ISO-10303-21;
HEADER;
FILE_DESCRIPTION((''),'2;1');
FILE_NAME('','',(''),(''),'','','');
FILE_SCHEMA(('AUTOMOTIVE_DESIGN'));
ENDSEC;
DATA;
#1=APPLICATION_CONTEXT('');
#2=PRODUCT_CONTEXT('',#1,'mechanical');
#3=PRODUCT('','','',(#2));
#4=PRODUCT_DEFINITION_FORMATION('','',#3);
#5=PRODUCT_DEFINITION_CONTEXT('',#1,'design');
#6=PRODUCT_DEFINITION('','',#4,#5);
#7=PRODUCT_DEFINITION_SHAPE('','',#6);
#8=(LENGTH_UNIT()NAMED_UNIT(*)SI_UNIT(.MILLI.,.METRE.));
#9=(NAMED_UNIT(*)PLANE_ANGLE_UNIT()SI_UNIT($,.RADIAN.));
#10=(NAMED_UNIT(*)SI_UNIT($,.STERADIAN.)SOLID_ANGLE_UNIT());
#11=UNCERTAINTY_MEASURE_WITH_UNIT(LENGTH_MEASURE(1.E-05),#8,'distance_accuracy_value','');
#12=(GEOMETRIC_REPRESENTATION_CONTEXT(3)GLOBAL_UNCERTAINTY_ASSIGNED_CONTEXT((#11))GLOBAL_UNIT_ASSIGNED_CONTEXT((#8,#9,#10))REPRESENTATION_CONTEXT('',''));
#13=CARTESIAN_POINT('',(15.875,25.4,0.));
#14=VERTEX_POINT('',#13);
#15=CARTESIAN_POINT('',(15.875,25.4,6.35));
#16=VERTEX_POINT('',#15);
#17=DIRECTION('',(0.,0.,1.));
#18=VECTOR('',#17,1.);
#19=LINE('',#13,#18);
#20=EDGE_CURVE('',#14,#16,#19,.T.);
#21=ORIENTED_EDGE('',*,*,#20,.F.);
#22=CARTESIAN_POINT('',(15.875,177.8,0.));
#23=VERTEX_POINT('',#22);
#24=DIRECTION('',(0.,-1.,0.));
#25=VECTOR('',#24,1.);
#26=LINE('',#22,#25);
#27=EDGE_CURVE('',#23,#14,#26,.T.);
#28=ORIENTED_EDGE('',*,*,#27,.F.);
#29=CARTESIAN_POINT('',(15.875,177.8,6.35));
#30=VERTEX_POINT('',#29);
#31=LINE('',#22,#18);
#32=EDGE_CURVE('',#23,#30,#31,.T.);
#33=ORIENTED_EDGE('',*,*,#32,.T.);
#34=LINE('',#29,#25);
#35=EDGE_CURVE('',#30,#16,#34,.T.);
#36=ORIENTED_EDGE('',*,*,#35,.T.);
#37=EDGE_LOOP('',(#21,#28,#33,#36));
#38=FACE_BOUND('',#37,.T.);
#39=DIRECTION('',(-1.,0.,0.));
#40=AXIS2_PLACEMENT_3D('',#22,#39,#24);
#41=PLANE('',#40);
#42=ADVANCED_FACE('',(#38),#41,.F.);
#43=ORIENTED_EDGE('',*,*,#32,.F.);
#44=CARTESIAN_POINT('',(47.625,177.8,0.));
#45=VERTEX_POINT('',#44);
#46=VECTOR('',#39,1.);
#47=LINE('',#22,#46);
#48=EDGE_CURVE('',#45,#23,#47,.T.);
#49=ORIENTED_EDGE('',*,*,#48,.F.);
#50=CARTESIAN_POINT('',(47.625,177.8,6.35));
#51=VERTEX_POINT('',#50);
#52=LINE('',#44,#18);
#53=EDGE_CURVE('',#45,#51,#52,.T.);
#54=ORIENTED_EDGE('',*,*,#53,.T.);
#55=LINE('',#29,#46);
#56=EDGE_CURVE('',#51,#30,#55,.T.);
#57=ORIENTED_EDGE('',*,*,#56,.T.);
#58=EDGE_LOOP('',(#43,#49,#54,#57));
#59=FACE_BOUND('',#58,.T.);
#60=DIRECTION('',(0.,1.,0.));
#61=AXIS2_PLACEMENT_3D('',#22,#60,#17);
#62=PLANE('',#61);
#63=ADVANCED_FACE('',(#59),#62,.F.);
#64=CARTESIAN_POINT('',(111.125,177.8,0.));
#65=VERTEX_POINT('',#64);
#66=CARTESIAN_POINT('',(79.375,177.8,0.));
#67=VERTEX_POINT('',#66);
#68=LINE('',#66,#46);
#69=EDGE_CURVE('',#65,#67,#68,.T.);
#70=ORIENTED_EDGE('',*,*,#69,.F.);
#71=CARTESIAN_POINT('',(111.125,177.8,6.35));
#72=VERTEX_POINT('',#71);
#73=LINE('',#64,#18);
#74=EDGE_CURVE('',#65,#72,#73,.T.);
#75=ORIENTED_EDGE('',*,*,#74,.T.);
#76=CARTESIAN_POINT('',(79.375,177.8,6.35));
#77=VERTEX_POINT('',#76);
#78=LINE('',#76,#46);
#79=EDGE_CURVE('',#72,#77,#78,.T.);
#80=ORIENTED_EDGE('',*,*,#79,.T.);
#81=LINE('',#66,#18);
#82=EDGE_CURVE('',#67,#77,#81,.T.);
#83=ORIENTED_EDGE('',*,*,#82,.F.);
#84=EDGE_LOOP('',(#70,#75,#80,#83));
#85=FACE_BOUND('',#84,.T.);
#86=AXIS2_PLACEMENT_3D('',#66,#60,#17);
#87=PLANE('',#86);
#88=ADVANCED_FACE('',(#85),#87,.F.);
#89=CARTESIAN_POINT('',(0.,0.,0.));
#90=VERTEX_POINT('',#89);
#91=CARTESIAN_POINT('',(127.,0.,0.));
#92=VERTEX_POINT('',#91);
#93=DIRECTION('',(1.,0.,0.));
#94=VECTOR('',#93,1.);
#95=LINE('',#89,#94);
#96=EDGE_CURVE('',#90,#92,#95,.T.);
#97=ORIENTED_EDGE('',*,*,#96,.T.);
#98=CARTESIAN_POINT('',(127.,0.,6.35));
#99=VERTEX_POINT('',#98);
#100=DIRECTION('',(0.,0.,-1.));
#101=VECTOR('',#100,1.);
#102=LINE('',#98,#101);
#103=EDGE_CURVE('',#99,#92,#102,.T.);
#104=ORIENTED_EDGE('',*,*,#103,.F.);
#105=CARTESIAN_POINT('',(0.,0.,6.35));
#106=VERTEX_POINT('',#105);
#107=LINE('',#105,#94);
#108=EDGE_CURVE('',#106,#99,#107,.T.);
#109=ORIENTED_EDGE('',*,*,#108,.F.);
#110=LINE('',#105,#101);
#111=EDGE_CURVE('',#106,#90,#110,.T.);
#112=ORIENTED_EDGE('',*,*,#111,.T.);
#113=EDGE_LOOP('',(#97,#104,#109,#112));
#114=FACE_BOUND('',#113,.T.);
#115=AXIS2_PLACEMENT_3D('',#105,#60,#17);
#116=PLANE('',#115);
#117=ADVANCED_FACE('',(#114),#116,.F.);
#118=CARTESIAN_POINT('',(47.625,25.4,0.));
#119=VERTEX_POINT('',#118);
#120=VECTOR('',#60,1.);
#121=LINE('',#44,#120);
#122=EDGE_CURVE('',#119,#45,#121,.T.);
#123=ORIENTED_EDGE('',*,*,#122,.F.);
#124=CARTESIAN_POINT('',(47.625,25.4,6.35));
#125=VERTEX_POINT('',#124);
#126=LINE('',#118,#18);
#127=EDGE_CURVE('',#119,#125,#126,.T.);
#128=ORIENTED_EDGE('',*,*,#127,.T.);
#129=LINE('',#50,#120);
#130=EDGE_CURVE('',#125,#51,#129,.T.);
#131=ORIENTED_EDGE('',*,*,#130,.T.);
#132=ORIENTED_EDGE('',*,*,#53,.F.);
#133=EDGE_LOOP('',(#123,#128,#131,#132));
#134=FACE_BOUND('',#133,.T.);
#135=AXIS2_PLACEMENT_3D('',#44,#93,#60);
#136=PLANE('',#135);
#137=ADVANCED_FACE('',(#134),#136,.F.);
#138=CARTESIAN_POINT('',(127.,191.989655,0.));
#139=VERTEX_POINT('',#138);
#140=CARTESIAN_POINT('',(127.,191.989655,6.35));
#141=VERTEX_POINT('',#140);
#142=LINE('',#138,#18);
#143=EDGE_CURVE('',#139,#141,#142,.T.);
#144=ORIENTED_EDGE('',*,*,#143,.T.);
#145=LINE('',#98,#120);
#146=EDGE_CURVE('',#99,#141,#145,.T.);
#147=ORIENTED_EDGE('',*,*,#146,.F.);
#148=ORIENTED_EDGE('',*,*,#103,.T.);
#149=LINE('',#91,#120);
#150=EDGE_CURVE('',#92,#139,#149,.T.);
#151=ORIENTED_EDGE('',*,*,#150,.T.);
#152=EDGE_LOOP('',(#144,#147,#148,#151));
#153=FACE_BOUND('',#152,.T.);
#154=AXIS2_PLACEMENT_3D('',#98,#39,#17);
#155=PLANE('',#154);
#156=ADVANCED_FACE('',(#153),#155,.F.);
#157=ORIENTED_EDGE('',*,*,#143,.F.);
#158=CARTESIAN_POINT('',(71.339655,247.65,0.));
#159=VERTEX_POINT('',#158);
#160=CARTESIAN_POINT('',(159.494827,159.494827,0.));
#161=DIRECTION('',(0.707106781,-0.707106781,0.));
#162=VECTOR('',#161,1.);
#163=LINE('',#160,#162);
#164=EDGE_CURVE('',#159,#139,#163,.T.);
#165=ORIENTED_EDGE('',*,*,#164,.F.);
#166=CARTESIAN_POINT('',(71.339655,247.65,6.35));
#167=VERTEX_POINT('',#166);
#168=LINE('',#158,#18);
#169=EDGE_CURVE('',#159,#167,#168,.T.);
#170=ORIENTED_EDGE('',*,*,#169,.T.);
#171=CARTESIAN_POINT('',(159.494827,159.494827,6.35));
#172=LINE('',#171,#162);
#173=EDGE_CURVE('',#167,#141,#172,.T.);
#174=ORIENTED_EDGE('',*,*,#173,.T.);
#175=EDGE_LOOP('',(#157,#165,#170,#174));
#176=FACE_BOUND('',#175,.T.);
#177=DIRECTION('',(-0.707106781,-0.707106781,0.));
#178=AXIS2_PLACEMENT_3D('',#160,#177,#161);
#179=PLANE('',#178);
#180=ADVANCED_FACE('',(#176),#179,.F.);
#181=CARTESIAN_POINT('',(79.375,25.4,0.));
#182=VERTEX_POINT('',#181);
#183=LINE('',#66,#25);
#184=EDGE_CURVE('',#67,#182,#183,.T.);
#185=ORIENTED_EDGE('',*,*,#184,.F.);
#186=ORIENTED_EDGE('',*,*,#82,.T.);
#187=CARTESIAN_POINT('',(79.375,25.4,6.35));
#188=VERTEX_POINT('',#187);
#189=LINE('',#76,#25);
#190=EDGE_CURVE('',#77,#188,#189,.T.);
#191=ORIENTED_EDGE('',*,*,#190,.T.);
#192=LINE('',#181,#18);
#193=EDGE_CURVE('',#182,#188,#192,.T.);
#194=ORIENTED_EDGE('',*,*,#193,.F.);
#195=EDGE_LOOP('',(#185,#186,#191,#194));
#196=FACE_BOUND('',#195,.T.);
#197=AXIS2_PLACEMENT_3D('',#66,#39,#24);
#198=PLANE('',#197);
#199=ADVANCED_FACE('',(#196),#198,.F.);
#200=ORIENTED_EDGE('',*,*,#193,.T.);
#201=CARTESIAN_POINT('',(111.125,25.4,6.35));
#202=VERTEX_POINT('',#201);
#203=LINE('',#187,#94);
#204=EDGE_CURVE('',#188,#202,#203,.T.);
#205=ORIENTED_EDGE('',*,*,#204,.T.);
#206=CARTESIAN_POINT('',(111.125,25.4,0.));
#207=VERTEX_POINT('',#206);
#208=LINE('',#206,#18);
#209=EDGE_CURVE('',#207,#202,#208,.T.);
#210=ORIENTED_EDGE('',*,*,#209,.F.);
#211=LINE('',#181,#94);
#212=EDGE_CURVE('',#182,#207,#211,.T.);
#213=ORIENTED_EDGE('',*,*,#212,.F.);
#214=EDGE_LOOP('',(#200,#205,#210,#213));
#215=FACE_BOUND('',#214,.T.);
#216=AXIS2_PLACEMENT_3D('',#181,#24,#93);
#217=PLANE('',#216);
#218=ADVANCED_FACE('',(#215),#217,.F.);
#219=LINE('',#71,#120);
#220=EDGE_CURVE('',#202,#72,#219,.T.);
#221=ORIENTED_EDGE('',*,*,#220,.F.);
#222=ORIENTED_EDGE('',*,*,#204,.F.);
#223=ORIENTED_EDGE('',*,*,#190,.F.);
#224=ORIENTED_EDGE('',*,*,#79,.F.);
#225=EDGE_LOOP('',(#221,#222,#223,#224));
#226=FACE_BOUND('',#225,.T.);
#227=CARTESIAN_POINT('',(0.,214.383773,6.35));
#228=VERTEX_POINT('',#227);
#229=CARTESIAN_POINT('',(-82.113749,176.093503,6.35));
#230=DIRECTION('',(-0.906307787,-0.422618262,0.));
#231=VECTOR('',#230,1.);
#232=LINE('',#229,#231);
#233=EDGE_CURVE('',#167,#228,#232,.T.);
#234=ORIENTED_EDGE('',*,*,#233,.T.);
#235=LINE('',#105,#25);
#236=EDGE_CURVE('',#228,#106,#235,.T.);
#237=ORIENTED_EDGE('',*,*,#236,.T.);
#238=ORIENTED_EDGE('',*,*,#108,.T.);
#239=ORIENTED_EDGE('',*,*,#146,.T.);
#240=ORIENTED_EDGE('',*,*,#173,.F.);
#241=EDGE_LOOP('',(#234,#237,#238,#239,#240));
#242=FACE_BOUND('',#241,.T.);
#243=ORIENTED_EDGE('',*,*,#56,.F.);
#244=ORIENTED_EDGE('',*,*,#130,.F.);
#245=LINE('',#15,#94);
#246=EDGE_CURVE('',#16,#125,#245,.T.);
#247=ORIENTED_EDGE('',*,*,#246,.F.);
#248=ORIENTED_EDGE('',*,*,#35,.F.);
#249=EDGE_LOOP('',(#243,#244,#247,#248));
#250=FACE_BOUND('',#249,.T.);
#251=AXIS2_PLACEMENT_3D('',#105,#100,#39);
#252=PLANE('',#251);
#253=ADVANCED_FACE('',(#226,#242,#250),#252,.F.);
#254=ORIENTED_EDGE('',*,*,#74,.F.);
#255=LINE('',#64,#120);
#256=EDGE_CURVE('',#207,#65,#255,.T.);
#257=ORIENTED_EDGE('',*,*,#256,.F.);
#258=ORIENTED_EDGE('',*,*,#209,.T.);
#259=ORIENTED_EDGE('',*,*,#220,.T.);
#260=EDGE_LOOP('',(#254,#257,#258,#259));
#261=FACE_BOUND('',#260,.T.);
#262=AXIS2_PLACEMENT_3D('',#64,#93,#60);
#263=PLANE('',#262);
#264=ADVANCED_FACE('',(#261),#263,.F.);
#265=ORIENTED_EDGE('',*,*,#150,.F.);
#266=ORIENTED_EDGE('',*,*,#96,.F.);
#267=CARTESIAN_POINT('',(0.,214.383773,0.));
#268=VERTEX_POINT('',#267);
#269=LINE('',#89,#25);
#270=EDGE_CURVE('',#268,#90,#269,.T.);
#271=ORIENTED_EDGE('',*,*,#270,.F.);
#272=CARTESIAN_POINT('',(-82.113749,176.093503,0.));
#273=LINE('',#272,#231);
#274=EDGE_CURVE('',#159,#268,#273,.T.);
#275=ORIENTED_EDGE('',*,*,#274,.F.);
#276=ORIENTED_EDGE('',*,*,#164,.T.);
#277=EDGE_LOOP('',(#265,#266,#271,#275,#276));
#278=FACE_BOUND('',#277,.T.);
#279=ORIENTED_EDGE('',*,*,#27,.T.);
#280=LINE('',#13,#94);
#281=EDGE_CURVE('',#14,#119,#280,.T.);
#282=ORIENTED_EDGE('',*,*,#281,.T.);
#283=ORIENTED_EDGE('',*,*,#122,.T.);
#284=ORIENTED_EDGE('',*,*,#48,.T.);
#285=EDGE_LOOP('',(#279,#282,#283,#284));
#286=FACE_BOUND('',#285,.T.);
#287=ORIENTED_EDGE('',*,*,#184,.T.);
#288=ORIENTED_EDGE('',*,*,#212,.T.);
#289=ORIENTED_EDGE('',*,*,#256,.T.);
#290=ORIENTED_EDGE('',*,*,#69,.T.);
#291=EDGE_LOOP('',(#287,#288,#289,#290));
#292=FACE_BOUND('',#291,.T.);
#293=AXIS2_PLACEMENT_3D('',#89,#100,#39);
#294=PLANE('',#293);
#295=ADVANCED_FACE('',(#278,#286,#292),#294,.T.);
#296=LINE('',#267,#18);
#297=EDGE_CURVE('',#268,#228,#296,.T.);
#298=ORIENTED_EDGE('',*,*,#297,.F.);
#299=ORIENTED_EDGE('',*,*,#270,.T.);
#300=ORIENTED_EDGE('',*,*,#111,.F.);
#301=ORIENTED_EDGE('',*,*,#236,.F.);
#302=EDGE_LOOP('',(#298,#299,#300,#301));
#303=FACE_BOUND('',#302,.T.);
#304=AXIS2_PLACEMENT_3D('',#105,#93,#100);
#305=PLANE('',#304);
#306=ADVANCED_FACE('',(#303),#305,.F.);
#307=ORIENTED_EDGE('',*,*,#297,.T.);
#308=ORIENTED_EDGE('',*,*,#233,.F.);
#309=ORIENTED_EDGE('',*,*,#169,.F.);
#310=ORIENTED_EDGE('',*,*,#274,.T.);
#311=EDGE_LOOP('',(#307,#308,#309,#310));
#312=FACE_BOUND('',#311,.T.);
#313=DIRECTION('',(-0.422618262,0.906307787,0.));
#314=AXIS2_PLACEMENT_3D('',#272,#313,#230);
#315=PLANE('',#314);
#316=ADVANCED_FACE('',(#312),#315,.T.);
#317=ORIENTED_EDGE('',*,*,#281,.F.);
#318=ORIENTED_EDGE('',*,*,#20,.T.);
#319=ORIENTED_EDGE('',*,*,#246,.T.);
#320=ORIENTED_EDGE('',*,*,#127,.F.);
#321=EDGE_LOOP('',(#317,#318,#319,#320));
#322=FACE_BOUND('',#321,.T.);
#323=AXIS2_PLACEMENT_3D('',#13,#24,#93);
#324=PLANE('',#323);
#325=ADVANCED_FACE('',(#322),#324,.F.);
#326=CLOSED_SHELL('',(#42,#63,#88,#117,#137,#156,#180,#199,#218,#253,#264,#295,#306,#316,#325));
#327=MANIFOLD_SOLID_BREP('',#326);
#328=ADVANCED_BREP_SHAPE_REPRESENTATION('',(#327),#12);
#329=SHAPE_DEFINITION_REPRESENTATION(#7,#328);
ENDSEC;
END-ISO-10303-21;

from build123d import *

# Parameters (mm, degrees)
SKETCH1_W           = 127
SKETCH1_H           = 247.65
BOSS_EXTRUDE1_DEPTH = 6.35
CUT_EXTRUDE1_DEPTH  = 279.387939753
SKETCH3_W           = 31.75
SKETCH3_H           = 152.4
CUT_EXTRUDE2_DEPTH  = 279.387939753


with BuildPart() as part:
    # Sketch1 → Boss-Extrude1 (new body)
    with BuildSketch(Plane.XY):
        with Locations((63.5, 123.825)):
            Rectangle(SKETCH1_W, SKETCH1_H)
    extrude(amount=BOSS_EXTRUDE1_DEPTH)

    # Sketch2 → Cut-Extrude1 (cut, through all)
    with BuildSketch(Plane.XY.offset(6.35)):
        Polygon((0, 214.383772574), (71.339654933, 247.65), (0, 247.65), align=None)
        Polygon((127, 247.65), (71.339654933, 247.65), (127, 191.989654933), align=None)
    extrude(amount=-CUT_EXTRUDE1_DEPTH, mode=Mode.SUBTRACT)

    # Sketch3 → Cut-Extrude2 (cut, through all)
    with BuildSketch(Plane.XY.offset(6.35)):
        with Locations((31.75, 101.6)):
            Rectangle(SKETCH3_W, SKETCH3_H)
        with Locations((95.25, 101.6)):
            Rectangle(SKETCH3_W, SKETCH3_H)
    extrude(amount=-CUT_EXTRUDE2_DEPTH, mode=Mode.SUBTRACT)


solid = part.part
